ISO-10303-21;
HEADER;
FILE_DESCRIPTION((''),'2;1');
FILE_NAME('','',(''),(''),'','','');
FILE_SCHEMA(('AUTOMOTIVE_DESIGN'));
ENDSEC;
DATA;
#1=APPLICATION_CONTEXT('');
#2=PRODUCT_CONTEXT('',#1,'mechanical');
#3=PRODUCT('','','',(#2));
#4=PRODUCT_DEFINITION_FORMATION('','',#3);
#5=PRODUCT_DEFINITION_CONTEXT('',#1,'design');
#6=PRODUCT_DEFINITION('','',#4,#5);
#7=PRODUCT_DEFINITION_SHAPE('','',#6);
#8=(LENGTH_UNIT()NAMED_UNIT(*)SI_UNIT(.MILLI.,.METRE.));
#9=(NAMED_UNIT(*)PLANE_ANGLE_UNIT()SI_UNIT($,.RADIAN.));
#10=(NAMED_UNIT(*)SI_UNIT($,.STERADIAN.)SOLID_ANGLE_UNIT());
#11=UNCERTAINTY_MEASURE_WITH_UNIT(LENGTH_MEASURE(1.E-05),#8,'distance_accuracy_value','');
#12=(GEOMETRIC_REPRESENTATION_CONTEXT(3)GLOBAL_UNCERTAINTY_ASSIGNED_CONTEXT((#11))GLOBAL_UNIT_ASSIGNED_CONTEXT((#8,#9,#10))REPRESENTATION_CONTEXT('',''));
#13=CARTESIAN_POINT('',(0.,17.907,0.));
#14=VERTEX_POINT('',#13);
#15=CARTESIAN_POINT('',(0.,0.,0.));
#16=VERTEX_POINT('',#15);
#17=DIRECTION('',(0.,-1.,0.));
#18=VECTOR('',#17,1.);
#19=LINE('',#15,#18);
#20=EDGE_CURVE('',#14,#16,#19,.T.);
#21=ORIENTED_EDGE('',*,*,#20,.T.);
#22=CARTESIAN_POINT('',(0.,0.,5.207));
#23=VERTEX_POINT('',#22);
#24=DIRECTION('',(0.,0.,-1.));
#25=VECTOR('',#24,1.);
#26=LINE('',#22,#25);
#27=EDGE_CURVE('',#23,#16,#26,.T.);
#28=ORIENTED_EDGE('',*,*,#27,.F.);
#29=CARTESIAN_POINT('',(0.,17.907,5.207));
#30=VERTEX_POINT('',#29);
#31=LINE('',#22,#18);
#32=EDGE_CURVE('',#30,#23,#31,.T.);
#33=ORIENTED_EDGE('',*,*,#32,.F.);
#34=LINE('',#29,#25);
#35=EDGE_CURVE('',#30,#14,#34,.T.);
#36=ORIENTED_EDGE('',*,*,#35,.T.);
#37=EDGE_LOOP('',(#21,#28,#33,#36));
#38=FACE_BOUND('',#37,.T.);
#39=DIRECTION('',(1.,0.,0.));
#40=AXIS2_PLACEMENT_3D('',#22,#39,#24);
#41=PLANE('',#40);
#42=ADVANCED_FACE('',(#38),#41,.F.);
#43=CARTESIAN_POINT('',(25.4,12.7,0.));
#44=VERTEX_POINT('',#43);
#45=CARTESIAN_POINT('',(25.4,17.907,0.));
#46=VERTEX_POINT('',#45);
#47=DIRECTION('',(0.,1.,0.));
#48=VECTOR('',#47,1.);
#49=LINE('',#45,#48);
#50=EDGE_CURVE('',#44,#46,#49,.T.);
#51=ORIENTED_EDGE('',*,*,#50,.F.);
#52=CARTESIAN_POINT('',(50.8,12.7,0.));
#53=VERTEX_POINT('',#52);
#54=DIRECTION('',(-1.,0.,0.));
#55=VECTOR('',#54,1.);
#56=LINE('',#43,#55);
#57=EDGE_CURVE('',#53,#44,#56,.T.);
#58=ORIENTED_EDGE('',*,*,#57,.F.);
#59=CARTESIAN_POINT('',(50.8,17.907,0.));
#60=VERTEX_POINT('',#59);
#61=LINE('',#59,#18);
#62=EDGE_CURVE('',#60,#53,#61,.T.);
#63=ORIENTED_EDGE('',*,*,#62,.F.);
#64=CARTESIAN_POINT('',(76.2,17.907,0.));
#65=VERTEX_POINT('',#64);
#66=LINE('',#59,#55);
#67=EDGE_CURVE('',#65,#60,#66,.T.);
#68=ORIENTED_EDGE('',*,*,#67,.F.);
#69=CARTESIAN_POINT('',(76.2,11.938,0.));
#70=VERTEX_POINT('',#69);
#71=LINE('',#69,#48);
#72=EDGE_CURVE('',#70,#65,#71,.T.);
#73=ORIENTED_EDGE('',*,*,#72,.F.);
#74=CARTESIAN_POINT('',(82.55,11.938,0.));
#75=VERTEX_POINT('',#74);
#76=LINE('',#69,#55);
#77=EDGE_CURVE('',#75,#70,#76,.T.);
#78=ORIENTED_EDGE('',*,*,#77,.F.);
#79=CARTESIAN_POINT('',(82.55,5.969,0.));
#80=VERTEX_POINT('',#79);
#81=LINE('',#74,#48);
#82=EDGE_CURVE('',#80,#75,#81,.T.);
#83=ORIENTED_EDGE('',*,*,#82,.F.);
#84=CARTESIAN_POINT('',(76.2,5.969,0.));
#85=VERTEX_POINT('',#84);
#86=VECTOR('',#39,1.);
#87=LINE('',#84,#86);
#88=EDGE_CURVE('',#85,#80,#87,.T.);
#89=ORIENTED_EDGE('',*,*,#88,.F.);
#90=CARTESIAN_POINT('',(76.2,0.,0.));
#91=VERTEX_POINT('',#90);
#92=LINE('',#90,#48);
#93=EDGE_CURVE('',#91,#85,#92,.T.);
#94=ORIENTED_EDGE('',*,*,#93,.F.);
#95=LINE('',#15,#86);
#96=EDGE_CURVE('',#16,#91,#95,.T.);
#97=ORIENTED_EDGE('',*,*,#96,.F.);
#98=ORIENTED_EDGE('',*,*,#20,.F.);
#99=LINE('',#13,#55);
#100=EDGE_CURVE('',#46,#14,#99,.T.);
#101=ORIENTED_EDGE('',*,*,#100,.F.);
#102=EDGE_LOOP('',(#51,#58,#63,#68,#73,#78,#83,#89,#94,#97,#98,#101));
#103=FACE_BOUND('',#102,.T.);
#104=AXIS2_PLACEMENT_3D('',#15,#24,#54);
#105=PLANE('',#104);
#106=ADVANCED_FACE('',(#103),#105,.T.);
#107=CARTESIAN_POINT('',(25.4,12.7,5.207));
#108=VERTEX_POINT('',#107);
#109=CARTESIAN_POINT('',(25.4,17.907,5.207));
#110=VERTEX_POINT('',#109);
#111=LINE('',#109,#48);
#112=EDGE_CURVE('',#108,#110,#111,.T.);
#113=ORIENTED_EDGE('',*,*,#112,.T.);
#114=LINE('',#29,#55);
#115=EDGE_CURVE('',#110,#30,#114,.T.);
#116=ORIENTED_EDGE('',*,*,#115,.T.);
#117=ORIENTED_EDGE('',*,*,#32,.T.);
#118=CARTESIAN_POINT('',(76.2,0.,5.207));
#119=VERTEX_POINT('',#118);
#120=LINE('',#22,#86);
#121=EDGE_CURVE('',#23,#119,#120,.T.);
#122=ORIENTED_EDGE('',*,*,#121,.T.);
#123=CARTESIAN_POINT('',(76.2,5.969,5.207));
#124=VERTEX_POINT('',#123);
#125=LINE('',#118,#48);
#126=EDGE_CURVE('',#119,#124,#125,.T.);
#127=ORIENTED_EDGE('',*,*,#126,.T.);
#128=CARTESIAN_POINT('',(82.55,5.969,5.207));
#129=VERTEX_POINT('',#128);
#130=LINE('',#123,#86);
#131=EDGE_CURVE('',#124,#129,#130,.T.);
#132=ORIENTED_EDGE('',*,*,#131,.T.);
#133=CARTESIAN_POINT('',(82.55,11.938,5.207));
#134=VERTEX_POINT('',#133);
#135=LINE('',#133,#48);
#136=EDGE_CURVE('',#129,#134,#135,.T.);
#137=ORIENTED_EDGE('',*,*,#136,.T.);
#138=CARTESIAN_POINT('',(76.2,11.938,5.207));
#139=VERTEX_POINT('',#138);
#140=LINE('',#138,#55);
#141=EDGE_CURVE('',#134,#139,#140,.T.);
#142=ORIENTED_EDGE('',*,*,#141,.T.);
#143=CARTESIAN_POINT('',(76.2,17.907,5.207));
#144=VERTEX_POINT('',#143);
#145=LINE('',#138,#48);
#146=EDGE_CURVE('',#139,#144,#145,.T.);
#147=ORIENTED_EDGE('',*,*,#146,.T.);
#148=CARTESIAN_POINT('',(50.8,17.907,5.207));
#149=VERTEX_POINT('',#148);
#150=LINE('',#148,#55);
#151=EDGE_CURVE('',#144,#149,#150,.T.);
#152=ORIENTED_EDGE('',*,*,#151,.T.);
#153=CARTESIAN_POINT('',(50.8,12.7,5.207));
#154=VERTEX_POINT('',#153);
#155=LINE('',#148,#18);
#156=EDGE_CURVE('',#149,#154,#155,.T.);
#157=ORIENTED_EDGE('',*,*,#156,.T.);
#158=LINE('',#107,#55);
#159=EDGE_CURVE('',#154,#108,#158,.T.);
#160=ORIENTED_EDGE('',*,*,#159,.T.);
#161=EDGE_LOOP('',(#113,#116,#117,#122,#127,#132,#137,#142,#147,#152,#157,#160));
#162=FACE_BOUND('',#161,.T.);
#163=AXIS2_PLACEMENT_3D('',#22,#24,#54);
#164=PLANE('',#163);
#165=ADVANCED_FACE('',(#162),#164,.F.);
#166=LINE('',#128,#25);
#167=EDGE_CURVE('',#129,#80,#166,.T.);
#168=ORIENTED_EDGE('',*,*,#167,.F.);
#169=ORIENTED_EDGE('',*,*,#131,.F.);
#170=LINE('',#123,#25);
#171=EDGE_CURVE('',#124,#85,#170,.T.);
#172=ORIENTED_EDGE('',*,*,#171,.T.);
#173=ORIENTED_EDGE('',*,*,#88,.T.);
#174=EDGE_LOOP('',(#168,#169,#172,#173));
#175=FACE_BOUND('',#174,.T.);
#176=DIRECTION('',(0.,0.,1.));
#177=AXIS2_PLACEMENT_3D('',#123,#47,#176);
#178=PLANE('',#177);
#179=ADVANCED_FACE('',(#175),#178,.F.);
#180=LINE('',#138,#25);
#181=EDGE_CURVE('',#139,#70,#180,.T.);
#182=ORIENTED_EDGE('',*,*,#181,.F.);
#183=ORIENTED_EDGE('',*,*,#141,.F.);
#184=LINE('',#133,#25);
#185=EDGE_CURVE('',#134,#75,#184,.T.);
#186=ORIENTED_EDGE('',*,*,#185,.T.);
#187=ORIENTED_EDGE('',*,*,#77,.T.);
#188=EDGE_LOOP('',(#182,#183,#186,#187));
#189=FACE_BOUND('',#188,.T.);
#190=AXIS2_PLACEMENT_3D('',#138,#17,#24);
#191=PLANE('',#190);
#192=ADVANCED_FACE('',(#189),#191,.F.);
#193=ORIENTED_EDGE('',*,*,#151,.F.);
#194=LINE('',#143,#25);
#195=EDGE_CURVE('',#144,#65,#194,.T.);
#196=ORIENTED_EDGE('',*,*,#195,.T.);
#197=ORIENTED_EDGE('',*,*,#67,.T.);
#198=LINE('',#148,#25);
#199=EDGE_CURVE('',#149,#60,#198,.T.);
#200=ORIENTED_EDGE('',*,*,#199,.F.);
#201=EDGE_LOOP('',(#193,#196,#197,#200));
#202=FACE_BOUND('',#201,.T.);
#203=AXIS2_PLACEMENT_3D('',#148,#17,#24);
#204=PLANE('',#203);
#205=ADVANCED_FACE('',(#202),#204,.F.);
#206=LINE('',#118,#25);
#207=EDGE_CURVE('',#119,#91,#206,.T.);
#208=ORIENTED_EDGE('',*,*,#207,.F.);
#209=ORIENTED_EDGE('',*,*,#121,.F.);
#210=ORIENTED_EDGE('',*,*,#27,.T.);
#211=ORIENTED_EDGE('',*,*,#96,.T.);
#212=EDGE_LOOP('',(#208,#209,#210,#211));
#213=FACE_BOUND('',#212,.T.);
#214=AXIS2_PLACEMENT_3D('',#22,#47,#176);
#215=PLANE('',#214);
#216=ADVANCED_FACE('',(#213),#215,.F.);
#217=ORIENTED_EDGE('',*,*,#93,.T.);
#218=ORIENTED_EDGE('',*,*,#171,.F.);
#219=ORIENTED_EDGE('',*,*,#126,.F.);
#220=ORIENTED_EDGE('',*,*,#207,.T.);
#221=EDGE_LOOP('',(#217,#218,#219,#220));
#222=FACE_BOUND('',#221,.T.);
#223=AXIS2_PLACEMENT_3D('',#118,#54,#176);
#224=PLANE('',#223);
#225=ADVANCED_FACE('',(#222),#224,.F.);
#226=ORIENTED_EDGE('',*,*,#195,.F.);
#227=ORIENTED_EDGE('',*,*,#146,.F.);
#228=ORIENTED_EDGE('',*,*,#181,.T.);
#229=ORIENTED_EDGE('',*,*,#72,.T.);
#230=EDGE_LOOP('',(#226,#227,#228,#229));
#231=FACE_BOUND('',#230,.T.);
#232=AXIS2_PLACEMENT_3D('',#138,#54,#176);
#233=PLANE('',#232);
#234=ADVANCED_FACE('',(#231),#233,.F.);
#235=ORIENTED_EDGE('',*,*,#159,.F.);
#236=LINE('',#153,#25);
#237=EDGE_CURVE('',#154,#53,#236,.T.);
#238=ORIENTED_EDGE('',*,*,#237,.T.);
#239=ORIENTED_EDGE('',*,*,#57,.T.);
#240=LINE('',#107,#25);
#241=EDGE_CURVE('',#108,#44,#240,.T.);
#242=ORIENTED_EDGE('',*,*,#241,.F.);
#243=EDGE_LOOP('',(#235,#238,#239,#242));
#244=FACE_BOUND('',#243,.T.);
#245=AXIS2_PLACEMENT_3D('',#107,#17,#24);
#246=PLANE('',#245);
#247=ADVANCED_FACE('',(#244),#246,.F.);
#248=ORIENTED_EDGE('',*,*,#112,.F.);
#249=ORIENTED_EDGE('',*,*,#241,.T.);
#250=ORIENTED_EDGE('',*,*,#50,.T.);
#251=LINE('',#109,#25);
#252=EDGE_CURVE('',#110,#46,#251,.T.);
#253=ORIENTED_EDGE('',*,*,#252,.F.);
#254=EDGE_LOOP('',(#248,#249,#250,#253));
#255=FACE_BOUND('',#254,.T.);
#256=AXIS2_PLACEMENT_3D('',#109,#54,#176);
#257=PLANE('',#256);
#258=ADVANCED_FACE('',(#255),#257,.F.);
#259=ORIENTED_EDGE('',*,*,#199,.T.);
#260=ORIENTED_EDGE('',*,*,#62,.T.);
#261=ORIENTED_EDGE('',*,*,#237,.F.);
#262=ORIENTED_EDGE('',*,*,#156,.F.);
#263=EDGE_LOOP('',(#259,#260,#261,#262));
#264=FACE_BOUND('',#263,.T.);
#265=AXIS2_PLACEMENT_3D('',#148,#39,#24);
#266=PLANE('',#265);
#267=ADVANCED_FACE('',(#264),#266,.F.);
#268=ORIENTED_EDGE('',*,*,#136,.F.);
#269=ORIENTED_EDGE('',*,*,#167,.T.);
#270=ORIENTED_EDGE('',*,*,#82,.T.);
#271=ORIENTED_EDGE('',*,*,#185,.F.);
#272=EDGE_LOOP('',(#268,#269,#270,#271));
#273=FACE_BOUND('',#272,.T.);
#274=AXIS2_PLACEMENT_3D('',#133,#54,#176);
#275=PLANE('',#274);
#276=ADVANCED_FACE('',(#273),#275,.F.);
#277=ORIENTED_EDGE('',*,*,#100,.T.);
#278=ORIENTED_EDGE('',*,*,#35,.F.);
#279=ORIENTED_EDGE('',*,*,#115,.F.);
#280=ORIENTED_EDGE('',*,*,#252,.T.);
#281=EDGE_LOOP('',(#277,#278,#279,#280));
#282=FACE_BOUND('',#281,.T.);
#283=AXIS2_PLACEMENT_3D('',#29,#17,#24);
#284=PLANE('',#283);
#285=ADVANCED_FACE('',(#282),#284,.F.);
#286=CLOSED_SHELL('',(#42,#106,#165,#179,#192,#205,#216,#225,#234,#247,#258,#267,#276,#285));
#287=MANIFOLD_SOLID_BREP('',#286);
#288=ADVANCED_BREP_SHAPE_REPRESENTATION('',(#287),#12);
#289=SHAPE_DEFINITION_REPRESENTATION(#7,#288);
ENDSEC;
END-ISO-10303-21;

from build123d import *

# Parameters (mm, degrees)
BOSS_EXTRUDE1_DEPTH = 5.207


with BuildPart() as part:
    # Sketch1 → Boss-Extrude1 (new body)
    with BuildSketch(Plane.XY):
        Polygon((50.8, 17.907), (76.2, 17.907), (76.2, 11.938), (82.55, 11.938), (82.55, 5.969), (76.2, 5.969), (76.2, 0), (0, 0), (0, 17.907), (25.4, 17.907), (25.4, 12.7), (50.8, 12.7), align=None)
    extrude(amount=BOSS_EXTRUDE1_DEPTH)


solid = part.part
